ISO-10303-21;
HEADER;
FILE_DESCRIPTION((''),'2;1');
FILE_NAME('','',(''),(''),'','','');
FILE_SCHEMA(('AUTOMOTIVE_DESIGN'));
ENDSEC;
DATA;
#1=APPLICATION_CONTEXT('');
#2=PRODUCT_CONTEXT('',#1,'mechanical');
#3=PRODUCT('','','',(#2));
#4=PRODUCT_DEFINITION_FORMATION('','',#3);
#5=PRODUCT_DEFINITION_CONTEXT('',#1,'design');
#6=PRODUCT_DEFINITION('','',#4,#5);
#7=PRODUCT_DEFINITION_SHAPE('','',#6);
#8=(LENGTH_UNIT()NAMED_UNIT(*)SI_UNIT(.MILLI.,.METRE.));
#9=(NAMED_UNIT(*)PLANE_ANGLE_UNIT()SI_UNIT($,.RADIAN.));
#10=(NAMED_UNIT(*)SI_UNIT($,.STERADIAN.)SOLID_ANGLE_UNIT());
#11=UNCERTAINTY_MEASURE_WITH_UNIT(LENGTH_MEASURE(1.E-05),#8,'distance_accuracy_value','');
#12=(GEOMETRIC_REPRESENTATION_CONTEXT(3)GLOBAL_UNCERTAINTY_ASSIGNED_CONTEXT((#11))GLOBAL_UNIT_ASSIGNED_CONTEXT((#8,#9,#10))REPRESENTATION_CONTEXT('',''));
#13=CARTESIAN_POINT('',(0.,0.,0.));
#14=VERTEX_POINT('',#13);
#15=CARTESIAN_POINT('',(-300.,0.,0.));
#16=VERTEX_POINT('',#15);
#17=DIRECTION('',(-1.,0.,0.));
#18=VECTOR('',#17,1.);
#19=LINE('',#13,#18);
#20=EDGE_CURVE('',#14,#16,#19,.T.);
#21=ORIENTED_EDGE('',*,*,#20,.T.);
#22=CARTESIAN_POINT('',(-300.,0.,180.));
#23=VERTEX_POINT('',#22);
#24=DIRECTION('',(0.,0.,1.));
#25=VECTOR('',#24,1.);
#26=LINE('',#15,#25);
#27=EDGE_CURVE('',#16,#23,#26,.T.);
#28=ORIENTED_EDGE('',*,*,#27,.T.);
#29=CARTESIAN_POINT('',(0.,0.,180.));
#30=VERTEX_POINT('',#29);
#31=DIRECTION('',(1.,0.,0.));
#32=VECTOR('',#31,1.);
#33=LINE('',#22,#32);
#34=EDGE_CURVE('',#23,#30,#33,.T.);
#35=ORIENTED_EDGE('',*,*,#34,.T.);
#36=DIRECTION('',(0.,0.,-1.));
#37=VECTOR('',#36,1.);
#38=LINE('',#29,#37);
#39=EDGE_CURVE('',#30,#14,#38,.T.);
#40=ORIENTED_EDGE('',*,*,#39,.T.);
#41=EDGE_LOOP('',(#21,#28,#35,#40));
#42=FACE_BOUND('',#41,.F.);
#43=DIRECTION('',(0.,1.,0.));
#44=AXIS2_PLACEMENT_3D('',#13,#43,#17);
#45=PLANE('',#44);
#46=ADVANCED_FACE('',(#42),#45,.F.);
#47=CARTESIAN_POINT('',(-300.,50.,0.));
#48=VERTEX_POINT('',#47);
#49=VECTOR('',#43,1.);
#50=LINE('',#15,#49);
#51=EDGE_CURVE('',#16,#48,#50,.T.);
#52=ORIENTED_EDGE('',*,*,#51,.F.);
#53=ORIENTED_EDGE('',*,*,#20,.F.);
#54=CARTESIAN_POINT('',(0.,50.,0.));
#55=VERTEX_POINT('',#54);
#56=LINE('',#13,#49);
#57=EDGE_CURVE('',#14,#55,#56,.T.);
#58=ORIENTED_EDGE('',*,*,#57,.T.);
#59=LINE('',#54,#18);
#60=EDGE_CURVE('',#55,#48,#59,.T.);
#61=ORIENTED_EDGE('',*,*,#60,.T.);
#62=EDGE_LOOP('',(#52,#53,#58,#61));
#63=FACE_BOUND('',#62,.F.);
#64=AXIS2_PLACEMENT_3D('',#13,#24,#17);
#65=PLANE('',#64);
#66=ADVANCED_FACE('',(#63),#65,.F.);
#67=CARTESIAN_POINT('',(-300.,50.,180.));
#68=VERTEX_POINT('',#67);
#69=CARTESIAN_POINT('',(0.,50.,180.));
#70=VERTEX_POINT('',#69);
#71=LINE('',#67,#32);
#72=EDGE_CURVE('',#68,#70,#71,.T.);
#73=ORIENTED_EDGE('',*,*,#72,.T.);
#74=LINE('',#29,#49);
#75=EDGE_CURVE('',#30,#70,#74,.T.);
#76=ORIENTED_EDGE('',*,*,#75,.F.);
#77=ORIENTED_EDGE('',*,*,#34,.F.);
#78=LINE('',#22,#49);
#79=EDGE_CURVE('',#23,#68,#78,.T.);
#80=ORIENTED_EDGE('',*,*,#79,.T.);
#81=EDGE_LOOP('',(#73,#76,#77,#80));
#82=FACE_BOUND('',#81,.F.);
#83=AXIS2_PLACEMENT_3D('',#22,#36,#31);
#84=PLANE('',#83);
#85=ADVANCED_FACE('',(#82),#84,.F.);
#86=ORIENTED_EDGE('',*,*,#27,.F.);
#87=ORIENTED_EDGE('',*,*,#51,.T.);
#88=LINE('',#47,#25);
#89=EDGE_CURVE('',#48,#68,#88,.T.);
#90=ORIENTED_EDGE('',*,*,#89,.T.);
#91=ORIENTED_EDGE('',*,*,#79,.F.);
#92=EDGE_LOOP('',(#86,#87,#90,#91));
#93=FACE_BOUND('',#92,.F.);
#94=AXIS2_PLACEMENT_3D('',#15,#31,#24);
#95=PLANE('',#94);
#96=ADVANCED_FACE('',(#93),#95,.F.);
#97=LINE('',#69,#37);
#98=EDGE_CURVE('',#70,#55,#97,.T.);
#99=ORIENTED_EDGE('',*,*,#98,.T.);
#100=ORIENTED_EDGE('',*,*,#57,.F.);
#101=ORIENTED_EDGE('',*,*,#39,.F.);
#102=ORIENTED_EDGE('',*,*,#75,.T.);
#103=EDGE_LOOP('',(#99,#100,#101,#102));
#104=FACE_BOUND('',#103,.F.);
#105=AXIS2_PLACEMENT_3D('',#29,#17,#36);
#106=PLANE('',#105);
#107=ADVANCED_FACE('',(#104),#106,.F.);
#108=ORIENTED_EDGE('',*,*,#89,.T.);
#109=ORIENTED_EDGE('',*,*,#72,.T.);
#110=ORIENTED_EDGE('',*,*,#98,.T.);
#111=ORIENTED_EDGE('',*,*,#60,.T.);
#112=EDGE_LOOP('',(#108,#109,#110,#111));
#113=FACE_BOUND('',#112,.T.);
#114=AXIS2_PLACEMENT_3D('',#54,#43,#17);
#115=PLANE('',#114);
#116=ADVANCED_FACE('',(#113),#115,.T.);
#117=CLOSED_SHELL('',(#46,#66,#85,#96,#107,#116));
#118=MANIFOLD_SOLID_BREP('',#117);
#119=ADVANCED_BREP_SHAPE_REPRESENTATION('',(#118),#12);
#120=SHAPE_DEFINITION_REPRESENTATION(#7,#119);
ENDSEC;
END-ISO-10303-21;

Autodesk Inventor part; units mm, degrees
ref_plane "YZ Plane" through (0, 0, 0) normal (1, 0, 0) x (0, 1, 0)
ref_plane "XZ Plane" through (0, 0, 0) normal (0, 1, 0) x (-1, 0, 0)
ref_plane "XY Plane" through (0, 0, 0) normal (0, 0, 1) x (1, 0, 0)
sketch "스케치1" plane through (0, 0, 0) normal (0, 1, 0) x (-1, 0, 0)
  line L0 (0, 0) -> (300, 0)
  line L1 (300, 0) -> (300, 180)
  line L2 (300, 180) -> (0, 180)
  line L3 (0, 180) -> (0, 0)
  dimension "d0" = 300
  dimension "d1" = 180
extrude "돌출1" add sketch "스케치1" along normal blind 50
properties part number "Controller_Case"
